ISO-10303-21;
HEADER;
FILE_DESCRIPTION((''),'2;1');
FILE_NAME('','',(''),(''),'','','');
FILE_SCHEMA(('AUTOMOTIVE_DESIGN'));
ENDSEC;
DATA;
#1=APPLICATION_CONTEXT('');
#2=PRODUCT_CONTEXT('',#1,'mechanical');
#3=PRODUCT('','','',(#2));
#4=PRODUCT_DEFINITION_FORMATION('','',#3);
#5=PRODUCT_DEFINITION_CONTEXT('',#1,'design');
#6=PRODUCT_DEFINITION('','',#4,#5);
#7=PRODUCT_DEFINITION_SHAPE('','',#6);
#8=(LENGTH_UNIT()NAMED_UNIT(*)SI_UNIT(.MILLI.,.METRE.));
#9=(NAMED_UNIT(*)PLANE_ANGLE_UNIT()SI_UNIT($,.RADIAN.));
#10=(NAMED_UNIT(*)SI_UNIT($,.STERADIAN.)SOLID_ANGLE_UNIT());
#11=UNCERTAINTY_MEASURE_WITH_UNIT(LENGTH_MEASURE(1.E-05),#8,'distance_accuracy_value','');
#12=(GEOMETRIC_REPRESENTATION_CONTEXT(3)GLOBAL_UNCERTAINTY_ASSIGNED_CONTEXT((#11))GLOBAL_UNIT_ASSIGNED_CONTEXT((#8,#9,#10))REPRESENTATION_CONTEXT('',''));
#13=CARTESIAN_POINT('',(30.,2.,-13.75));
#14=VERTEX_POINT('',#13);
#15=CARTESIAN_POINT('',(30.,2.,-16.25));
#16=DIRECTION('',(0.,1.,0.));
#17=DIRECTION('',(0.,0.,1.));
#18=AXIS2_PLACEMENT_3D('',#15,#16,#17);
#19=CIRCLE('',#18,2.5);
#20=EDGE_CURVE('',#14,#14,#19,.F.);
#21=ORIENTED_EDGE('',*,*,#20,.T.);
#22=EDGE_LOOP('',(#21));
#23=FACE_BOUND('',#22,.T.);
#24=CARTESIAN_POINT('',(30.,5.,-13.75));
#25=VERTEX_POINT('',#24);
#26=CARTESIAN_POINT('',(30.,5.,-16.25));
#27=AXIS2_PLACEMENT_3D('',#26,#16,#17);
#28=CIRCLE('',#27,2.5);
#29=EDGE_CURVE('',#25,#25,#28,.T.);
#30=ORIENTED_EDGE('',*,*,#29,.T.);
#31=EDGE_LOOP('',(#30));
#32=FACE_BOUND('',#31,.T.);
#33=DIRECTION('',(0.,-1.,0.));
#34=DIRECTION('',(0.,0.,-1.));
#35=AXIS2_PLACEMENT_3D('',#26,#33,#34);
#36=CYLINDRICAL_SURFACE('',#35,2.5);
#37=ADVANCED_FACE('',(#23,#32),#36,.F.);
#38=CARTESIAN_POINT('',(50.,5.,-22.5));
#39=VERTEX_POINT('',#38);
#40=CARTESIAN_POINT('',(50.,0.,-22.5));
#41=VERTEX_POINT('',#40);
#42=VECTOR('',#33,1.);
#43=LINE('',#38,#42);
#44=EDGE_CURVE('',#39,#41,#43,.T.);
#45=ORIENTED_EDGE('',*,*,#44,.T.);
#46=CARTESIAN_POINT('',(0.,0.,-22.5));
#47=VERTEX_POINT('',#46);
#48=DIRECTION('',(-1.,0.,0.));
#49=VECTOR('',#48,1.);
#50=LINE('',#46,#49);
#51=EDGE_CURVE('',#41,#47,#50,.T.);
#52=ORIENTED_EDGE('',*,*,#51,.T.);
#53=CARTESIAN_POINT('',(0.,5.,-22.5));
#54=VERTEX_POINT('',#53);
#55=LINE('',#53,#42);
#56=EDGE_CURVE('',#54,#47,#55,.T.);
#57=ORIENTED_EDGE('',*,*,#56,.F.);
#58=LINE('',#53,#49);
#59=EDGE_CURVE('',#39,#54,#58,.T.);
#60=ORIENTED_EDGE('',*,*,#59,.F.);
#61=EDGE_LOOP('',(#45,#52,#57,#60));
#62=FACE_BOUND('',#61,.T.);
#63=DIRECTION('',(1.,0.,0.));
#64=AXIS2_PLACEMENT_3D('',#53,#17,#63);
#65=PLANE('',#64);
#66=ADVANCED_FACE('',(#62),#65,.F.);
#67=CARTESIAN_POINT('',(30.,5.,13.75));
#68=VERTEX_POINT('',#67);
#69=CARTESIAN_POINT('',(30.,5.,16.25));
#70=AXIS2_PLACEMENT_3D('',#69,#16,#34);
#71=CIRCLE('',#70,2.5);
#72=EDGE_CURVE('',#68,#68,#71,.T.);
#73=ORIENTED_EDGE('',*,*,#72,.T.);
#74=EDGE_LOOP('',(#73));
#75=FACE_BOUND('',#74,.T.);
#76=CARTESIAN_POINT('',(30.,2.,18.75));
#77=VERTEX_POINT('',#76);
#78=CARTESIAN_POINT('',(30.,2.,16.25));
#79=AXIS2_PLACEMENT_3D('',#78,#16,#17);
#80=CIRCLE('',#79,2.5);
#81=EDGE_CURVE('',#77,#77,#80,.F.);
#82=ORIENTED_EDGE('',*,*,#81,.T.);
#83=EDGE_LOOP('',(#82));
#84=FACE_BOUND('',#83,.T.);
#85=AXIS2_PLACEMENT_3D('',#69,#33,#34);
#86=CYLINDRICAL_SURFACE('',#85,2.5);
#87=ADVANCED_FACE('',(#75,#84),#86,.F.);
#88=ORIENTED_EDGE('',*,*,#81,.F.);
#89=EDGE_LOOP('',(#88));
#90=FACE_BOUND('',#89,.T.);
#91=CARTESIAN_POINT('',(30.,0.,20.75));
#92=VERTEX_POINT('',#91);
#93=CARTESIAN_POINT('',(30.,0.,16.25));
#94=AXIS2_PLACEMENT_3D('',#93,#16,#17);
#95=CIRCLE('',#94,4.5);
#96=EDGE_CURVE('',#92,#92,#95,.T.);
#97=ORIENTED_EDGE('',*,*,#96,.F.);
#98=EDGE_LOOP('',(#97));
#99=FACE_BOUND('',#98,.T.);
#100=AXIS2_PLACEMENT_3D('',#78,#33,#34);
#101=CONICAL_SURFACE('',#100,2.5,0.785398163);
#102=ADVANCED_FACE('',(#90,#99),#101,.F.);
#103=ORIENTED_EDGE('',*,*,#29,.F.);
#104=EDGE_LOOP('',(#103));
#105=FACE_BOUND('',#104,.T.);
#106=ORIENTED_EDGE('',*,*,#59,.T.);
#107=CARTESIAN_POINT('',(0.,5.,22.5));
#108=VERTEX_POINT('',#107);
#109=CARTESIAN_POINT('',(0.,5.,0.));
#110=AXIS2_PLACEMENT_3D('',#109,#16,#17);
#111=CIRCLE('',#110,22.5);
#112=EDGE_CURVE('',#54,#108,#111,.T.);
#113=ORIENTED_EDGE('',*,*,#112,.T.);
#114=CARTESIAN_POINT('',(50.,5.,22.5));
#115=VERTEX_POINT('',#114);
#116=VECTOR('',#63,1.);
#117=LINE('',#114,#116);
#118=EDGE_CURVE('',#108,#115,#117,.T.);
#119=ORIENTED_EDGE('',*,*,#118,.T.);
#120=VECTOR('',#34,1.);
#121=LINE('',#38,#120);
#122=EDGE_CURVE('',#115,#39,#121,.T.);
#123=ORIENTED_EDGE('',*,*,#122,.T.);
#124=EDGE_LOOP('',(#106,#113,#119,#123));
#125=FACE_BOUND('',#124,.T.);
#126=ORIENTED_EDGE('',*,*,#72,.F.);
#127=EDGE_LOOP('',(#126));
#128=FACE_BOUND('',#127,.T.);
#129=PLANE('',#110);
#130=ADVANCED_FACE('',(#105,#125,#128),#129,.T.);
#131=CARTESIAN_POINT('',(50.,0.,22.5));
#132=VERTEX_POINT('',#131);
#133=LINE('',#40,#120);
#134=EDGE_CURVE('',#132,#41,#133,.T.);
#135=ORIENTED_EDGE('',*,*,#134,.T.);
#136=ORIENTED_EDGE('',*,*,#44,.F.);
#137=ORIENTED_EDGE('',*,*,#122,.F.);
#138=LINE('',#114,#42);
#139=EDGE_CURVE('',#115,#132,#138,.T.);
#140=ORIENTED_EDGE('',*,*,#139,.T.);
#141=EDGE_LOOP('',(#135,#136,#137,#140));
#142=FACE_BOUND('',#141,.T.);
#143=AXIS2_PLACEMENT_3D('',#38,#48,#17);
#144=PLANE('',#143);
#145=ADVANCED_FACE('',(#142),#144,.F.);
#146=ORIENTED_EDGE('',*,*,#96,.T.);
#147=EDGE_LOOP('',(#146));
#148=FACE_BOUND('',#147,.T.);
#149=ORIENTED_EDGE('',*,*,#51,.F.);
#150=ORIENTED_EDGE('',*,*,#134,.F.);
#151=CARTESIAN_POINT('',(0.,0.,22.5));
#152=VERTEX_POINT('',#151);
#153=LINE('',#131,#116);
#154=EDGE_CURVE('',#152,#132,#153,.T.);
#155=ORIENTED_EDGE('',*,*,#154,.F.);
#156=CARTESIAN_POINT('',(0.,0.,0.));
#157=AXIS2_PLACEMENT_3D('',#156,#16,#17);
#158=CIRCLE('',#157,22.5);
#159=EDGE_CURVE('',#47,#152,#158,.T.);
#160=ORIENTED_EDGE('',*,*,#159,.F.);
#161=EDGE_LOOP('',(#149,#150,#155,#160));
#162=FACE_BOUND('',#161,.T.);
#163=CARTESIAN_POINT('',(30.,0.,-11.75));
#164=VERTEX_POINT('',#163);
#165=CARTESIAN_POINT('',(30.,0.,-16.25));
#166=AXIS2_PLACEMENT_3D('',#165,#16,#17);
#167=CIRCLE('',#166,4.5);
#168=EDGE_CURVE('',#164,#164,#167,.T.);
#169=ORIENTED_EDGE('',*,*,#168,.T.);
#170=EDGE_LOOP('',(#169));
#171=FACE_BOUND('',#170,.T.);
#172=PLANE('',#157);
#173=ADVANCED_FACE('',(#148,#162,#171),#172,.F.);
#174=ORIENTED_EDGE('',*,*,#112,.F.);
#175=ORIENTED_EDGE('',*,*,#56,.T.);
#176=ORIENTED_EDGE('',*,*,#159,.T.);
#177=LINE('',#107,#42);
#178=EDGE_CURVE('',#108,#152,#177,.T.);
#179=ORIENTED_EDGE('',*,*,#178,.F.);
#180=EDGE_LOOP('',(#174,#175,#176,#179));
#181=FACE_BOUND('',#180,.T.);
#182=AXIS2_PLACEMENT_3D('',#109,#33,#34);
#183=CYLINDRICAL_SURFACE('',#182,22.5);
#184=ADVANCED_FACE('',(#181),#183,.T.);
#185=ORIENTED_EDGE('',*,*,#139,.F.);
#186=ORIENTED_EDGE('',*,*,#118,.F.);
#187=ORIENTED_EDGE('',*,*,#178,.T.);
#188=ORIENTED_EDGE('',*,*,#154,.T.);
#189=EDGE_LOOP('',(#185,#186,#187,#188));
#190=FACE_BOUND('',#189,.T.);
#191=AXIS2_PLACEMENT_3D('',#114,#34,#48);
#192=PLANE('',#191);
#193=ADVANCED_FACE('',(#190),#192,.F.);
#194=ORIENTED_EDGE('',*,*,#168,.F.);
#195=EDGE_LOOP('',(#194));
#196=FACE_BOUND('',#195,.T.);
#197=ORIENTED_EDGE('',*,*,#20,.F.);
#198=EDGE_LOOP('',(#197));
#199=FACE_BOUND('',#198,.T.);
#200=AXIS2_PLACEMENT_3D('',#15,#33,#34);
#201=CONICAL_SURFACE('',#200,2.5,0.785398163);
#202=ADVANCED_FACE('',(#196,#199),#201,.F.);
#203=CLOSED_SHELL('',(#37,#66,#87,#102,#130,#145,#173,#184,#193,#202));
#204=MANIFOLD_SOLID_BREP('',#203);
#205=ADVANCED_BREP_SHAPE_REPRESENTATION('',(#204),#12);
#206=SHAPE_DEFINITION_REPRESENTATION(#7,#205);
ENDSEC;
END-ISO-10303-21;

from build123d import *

# Parameters (mm, degrees)
BOSS_EXTRUDE1_DEPTH     = 5
SKETCH2_R               = 2.5
CUT_EXTRUDE1_DEPTH      = 6
CUT_EXTRUDE1_DEPTH_BACK = 1
CHAMFER1_SIZE           = 2


with BuildPart() as part:
    # Sketch1 → Boss-Extrude1 (new body)
    with BuildSketch(Plane(origin=(0, 0, 0), x_dir=(1, 0, 0), z_dir=(0, 1, 0))):
        with BuildLine():
            Line((0, 22.5), (50, 22.5))
            Line((50, 22.5), (50, -22.5))
            Line((50, -22.5), (0, -22.5))
            ThreePointArc((0, -22.5), (-22.5, 0), (0, 22.5))
        make_face()
    extrude(amount=BOSS_EXTRUDE1_DEPTH)

    # Sketch2 → Cut-Extrude1 (cut, two sides)
    with BuildSketch(Plane(origin=(0, 0, 0), x_dir=(1, 0, 0), z_dir=(0, 1, 0))) as cut_extrude1_sk:
        with Locations((30, 16.25)):
            Circle(SKETCH2_R)
        with Locations((30, -16.25)):
            Circle(SKETCH2_R)
    extrude(amount=CUT_EXTRUDE1_DEPTH, mode=Mode.SUBTRACT)
    extrude(cut_extrude1_sk.sketch, amount=-CUT_EXTRUDE1_DEPTH_BACK, mode=Mode.SUBTRACT)

    # Chamfer1
    chamfer1_edges = [part.edges().sort_by_distance(p)[0] for p in [
        (27.5, 0, -16.25),
        (27.5, 0, 16.25),
    ]]
    chamfer(chamfer1_edges, length=CHAMFER1_SIZE)


solid = part.part
